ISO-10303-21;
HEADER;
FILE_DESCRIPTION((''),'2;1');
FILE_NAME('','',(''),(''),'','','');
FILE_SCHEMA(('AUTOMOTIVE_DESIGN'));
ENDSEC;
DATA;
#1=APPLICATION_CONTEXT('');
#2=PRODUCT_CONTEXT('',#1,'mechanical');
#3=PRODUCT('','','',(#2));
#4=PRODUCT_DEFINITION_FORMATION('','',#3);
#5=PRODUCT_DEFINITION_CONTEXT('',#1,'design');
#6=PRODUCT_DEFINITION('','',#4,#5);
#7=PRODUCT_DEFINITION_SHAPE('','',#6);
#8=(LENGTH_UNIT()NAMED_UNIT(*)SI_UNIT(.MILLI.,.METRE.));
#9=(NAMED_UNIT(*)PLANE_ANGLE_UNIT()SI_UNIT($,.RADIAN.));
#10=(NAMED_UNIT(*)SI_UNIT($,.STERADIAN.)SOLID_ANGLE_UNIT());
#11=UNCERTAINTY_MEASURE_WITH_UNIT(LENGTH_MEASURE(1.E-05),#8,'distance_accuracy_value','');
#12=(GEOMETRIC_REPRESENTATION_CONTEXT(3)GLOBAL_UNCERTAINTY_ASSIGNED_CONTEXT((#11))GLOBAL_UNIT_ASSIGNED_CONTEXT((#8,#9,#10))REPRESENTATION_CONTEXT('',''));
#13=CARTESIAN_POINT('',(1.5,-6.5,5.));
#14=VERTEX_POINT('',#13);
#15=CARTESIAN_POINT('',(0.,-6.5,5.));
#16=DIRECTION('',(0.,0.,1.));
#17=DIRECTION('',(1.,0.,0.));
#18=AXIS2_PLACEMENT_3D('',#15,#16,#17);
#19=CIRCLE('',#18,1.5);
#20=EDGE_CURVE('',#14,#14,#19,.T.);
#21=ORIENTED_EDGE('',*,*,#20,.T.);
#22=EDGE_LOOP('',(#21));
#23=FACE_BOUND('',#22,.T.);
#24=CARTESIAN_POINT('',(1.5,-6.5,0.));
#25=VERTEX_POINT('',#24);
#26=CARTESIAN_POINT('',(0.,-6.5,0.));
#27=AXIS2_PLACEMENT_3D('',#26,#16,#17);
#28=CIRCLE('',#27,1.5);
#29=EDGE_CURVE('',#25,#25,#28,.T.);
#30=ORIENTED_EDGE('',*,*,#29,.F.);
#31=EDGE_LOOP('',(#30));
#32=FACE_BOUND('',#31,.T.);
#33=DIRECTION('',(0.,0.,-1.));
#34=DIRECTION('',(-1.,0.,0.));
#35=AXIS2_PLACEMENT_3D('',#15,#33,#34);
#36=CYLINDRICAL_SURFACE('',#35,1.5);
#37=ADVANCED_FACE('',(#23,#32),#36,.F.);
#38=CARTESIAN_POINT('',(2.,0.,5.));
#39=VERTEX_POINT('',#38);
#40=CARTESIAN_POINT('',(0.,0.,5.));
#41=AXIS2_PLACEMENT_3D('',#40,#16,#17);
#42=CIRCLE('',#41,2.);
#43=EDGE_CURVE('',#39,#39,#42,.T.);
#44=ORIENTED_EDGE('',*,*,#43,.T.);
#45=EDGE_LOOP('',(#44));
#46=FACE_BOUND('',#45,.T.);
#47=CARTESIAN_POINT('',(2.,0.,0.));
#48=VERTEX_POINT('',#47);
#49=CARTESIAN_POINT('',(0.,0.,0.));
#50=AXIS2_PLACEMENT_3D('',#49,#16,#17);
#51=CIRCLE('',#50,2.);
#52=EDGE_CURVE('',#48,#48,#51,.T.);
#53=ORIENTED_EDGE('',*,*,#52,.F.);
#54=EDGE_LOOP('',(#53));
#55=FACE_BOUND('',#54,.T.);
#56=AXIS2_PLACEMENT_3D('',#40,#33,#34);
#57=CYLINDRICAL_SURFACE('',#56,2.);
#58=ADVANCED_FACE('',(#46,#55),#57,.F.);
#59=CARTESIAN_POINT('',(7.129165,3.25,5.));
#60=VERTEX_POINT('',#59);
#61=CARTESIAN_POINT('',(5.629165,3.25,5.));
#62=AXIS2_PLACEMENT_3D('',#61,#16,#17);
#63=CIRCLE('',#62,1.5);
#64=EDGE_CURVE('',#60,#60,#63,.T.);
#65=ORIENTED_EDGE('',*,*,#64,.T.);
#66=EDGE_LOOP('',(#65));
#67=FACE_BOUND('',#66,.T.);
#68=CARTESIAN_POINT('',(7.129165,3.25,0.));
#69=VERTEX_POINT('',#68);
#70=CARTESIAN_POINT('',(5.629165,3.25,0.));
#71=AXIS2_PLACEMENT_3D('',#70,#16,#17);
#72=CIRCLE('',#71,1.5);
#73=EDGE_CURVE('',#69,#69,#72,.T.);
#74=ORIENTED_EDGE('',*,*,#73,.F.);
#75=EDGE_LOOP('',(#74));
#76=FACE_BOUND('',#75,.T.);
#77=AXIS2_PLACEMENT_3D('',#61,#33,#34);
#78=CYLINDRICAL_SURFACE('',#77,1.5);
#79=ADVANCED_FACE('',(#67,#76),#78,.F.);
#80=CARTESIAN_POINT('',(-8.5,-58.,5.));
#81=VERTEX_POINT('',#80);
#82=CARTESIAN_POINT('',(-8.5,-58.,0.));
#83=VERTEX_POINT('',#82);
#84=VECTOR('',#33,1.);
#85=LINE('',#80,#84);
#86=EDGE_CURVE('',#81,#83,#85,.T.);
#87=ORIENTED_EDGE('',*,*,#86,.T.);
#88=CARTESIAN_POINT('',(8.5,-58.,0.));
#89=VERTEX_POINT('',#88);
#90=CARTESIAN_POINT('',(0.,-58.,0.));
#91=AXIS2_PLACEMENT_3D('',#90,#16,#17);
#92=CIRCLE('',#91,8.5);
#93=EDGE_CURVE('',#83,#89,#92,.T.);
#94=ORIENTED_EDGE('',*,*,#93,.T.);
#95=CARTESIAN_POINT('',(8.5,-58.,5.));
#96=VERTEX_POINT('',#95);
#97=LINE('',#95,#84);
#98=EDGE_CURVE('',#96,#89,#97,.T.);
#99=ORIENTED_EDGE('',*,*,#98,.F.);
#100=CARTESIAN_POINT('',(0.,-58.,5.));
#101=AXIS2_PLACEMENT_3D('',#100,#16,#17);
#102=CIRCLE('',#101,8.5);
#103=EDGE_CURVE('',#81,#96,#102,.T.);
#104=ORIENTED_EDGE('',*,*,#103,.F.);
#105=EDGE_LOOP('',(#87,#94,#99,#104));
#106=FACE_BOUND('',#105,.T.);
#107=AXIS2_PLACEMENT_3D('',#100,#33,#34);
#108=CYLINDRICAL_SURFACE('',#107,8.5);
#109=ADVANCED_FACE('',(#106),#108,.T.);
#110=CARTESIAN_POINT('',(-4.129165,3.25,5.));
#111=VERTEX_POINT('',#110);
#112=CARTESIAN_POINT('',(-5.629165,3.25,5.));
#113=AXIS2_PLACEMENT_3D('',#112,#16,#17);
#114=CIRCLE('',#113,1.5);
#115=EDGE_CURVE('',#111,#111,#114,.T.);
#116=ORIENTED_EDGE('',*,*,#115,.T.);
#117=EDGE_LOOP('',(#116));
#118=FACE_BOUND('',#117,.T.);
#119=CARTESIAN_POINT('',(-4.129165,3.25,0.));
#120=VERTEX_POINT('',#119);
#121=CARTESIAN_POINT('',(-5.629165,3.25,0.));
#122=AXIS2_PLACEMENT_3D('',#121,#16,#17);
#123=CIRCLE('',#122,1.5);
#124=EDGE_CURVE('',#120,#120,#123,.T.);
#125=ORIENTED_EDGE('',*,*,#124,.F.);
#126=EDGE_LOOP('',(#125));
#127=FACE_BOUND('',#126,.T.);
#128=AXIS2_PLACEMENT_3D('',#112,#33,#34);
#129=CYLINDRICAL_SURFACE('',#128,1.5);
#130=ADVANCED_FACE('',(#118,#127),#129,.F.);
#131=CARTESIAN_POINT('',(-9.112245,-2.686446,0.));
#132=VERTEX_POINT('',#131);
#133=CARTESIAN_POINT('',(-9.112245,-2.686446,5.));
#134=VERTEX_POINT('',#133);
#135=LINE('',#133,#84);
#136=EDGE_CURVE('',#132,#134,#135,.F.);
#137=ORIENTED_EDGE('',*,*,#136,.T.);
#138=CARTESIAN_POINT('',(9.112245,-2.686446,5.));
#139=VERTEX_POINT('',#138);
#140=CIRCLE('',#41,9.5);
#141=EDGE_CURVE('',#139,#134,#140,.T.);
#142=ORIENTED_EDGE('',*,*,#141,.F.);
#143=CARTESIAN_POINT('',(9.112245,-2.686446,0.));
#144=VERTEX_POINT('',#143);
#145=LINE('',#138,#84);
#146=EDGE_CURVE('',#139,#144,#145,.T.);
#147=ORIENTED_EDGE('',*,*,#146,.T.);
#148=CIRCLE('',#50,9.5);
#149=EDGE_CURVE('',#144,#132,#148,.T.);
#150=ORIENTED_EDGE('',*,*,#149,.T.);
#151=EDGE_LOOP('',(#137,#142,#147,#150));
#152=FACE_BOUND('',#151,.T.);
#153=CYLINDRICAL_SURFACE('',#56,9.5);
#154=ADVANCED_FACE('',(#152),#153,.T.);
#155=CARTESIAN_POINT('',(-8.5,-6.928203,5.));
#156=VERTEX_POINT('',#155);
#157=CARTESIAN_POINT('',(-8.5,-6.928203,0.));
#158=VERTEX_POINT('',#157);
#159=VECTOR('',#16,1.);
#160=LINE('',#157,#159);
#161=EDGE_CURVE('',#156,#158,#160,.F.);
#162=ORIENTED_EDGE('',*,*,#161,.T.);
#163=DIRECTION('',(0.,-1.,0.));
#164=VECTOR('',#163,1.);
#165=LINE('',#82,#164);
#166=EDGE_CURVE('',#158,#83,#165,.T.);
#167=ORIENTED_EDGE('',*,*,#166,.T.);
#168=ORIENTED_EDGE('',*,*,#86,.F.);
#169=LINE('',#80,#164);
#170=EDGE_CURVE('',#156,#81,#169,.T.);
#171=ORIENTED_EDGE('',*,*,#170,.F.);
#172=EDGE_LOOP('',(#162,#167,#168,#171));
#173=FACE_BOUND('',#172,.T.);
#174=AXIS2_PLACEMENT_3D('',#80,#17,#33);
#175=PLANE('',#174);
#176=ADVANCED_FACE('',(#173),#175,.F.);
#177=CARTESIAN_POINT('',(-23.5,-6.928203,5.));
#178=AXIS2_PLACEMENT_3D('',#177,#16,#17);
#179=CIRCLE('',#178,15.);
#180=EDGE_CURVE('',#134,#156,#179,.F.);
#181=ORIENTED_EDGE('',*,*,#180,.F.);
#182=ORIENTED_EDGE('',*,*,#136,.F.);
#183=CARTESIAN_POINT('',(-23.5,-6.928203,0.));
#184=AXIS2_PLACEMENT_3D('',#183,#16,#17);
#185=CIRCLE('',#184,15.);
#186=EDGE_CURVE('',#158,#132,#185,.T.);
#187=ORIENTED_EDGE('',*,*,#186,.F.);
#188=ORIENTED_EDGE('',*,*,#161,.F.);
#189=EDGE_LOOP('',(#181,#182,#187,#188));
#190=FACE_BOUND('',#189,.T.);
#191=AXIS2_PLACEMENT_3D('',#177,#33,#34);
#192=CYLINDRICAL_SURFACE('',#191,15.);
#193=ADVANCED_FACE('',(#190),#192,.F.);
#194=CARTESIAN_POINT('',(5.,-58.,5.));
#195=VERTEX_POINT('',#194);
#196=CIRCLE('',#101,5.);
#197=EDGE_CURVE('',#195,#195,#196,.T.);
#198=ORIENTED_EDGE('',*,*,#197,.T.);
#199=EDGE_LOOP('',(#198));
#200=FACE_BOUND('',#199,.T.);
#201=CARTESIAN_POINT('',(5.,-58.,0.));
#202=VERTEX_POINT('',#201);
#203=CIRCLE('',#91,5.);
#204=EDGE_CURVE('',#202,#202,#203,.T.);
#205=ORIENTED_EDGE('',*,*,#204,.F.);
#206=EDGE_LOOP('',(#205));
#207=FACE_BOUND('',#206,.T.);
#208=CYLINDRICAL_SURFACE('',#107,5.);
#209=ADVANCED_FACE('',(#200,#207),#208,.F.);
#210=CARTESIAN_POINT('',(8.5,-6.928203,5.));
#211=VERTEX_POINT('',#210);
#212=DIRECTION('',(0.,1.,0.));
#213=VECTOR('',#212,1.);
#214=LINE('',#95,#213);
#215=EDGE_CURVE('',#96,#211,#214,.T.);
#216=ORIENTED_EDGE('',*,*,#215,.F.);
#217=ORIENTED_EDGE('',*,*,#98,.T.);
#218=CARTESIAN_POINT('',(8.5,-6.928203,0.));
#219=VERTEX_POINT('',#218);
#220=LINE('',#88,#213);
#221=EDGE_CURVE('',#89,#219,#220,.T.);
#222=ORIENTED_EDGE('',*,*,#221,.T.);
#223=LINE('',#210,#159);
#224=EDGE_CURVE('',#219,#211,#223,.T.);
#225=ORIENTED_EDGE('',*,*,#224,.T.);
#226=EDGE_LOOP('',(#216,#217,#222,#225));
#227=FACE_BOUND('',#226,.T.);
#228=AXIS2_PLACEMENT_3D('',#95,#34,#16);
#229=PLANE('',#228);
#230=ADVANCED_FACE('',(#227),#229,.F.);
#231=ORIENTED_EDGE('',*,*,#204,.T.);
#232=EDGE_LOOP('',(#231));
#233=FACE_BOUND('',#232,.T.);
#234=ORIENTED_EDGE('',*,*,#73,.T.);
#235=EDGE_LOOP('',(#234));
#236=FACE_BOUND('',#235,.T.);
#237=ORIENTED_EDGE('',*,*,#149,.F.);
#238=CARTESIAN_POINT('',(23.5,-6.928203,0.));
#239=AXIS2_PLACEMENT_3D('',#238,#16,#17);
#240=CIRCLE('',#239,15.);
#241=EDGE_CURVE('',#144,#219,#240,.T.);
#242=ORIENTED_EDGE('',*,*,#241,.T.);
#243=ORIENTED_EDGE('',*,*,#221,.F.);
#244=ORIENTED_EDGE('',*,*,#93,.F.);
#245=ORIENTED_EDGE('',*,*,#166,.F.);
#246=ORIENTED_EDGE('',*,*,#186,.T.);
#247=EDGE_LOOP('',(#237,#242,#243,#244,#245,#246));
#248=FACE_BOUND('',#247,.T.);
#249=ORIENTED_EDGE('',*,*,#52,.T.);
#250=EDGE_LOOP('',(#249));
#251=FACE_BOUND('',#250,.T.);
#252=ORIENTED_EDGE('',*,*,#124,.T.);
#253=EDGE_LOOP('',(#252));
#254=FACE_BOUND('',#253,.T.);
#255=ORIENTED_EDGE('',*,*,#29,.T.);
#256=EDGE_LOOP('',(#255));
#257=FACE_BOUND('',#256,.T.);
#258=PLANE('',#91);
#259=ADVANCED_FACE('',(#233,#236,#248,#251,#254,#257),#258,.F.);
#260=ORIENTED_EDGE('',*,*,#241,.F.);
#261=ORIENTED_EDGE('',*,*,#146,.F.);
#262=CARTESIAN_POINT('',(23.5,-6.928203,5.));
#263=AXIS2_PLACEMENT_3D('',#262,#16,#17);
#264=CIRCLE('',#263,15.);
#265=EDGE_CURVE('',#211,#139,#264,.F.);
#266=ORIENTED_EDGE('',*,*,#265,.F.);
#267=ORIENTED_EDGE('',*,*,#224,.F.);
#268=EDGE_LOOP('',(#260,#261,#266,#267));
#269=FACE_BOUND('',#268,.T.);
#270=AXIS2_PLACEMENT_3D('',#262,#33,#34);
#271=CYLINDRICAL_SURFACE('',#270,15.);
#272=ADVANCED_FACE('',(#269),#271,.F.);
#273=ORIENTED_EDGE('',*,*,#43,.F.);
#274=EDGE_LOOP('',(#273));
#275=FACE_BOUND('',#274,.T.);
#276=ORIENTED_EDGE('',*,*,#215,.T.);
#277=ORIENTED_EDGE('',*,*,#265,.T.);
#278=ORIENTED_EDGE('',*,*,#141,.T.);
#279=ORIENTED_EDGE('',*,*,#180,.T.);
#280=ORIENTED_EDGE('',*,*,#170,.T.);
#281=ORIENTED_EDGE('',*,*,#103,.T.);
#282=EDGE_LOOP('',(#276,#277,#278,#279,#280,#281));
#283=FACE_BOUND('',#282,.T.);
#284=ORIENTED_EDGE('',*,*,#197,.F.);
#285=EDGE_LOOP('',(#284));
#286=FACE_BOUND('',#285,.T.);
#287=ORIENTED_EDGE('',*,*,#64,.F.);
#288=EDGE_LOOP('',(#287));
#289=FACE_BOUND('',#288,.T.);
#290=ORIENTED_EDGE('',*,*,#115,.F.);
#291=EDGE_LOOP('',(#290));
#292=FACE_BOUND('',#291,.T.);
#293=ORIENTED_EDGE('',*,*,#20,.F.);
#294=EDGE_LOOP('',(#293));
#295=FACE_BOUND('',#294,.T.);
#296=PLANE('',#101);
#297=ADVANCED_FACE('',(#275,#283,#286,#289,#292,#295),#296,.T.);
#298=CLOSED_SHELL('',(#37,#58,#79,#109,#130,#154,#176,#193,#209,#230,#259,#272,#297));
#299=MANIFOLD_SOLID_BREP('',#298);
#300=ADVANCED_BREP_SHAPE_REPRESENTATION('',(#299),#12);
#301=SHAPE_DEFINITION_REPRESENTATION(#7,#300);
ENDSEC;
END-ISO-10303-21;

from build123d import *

# Parameters (mm, degrees)
SKETCH_1_R      = 1.5
SKETCH_1_R_2    = 2
SKETCH_1_R_3    = 5
EXTRUDE_1_DEPTH = 5
FILLET_1_R      = 15


with BuildPart() as part:
    # 草图1 → 凸台-拉伸1 (new body)
    with BuildSketch(Plane.XY):
        with BuildLine():
            Line((-8.5, -58), (-8.5, -4.242640687))
            ThreePointArc((-8.5, -4.242640687), (0, 9.5), (8.5, -4.242640687))
            Line((8.5, -4.242640687), (8.5, -58))
            ThreePointArc((8.5, -58), (0, -66.5), (-8.5, -58))
        make_face()
        with Locations((-5.629165125, 3.25)):
            Circle(SKETCH_1_R, mode=Mode.SUBTRACT)
        Circle(SKETCH_1_R_2, mode=Mode.SUBTRACT)
        with Locations((0, -58)):
            Circle(SKETCH_1_R_3, mode=Mode.SUBTRACT)
        with Locations((5.629165125, 3.25)):
            Circle(SKETCH_1_R, mode=Mode.SUBTRACT)
        with Locations((0, -6.5)):
            Circle(SKETCH_1_R, mode=Mode.SUBTRACT)
    extrude(amount=EXTRUDE_1_DEPTH)

    # 圆角1
    fillet_1_edges = [part.edges().sort_by_distance(p)[0] for p in [
        (-8.5, -4.242640687, 2.5),
        (8.5, -4.242640687, 2.5),
    ]]
    fillet(fillet_1_edges, radius=FILLET_1_R)


solid = part.part
